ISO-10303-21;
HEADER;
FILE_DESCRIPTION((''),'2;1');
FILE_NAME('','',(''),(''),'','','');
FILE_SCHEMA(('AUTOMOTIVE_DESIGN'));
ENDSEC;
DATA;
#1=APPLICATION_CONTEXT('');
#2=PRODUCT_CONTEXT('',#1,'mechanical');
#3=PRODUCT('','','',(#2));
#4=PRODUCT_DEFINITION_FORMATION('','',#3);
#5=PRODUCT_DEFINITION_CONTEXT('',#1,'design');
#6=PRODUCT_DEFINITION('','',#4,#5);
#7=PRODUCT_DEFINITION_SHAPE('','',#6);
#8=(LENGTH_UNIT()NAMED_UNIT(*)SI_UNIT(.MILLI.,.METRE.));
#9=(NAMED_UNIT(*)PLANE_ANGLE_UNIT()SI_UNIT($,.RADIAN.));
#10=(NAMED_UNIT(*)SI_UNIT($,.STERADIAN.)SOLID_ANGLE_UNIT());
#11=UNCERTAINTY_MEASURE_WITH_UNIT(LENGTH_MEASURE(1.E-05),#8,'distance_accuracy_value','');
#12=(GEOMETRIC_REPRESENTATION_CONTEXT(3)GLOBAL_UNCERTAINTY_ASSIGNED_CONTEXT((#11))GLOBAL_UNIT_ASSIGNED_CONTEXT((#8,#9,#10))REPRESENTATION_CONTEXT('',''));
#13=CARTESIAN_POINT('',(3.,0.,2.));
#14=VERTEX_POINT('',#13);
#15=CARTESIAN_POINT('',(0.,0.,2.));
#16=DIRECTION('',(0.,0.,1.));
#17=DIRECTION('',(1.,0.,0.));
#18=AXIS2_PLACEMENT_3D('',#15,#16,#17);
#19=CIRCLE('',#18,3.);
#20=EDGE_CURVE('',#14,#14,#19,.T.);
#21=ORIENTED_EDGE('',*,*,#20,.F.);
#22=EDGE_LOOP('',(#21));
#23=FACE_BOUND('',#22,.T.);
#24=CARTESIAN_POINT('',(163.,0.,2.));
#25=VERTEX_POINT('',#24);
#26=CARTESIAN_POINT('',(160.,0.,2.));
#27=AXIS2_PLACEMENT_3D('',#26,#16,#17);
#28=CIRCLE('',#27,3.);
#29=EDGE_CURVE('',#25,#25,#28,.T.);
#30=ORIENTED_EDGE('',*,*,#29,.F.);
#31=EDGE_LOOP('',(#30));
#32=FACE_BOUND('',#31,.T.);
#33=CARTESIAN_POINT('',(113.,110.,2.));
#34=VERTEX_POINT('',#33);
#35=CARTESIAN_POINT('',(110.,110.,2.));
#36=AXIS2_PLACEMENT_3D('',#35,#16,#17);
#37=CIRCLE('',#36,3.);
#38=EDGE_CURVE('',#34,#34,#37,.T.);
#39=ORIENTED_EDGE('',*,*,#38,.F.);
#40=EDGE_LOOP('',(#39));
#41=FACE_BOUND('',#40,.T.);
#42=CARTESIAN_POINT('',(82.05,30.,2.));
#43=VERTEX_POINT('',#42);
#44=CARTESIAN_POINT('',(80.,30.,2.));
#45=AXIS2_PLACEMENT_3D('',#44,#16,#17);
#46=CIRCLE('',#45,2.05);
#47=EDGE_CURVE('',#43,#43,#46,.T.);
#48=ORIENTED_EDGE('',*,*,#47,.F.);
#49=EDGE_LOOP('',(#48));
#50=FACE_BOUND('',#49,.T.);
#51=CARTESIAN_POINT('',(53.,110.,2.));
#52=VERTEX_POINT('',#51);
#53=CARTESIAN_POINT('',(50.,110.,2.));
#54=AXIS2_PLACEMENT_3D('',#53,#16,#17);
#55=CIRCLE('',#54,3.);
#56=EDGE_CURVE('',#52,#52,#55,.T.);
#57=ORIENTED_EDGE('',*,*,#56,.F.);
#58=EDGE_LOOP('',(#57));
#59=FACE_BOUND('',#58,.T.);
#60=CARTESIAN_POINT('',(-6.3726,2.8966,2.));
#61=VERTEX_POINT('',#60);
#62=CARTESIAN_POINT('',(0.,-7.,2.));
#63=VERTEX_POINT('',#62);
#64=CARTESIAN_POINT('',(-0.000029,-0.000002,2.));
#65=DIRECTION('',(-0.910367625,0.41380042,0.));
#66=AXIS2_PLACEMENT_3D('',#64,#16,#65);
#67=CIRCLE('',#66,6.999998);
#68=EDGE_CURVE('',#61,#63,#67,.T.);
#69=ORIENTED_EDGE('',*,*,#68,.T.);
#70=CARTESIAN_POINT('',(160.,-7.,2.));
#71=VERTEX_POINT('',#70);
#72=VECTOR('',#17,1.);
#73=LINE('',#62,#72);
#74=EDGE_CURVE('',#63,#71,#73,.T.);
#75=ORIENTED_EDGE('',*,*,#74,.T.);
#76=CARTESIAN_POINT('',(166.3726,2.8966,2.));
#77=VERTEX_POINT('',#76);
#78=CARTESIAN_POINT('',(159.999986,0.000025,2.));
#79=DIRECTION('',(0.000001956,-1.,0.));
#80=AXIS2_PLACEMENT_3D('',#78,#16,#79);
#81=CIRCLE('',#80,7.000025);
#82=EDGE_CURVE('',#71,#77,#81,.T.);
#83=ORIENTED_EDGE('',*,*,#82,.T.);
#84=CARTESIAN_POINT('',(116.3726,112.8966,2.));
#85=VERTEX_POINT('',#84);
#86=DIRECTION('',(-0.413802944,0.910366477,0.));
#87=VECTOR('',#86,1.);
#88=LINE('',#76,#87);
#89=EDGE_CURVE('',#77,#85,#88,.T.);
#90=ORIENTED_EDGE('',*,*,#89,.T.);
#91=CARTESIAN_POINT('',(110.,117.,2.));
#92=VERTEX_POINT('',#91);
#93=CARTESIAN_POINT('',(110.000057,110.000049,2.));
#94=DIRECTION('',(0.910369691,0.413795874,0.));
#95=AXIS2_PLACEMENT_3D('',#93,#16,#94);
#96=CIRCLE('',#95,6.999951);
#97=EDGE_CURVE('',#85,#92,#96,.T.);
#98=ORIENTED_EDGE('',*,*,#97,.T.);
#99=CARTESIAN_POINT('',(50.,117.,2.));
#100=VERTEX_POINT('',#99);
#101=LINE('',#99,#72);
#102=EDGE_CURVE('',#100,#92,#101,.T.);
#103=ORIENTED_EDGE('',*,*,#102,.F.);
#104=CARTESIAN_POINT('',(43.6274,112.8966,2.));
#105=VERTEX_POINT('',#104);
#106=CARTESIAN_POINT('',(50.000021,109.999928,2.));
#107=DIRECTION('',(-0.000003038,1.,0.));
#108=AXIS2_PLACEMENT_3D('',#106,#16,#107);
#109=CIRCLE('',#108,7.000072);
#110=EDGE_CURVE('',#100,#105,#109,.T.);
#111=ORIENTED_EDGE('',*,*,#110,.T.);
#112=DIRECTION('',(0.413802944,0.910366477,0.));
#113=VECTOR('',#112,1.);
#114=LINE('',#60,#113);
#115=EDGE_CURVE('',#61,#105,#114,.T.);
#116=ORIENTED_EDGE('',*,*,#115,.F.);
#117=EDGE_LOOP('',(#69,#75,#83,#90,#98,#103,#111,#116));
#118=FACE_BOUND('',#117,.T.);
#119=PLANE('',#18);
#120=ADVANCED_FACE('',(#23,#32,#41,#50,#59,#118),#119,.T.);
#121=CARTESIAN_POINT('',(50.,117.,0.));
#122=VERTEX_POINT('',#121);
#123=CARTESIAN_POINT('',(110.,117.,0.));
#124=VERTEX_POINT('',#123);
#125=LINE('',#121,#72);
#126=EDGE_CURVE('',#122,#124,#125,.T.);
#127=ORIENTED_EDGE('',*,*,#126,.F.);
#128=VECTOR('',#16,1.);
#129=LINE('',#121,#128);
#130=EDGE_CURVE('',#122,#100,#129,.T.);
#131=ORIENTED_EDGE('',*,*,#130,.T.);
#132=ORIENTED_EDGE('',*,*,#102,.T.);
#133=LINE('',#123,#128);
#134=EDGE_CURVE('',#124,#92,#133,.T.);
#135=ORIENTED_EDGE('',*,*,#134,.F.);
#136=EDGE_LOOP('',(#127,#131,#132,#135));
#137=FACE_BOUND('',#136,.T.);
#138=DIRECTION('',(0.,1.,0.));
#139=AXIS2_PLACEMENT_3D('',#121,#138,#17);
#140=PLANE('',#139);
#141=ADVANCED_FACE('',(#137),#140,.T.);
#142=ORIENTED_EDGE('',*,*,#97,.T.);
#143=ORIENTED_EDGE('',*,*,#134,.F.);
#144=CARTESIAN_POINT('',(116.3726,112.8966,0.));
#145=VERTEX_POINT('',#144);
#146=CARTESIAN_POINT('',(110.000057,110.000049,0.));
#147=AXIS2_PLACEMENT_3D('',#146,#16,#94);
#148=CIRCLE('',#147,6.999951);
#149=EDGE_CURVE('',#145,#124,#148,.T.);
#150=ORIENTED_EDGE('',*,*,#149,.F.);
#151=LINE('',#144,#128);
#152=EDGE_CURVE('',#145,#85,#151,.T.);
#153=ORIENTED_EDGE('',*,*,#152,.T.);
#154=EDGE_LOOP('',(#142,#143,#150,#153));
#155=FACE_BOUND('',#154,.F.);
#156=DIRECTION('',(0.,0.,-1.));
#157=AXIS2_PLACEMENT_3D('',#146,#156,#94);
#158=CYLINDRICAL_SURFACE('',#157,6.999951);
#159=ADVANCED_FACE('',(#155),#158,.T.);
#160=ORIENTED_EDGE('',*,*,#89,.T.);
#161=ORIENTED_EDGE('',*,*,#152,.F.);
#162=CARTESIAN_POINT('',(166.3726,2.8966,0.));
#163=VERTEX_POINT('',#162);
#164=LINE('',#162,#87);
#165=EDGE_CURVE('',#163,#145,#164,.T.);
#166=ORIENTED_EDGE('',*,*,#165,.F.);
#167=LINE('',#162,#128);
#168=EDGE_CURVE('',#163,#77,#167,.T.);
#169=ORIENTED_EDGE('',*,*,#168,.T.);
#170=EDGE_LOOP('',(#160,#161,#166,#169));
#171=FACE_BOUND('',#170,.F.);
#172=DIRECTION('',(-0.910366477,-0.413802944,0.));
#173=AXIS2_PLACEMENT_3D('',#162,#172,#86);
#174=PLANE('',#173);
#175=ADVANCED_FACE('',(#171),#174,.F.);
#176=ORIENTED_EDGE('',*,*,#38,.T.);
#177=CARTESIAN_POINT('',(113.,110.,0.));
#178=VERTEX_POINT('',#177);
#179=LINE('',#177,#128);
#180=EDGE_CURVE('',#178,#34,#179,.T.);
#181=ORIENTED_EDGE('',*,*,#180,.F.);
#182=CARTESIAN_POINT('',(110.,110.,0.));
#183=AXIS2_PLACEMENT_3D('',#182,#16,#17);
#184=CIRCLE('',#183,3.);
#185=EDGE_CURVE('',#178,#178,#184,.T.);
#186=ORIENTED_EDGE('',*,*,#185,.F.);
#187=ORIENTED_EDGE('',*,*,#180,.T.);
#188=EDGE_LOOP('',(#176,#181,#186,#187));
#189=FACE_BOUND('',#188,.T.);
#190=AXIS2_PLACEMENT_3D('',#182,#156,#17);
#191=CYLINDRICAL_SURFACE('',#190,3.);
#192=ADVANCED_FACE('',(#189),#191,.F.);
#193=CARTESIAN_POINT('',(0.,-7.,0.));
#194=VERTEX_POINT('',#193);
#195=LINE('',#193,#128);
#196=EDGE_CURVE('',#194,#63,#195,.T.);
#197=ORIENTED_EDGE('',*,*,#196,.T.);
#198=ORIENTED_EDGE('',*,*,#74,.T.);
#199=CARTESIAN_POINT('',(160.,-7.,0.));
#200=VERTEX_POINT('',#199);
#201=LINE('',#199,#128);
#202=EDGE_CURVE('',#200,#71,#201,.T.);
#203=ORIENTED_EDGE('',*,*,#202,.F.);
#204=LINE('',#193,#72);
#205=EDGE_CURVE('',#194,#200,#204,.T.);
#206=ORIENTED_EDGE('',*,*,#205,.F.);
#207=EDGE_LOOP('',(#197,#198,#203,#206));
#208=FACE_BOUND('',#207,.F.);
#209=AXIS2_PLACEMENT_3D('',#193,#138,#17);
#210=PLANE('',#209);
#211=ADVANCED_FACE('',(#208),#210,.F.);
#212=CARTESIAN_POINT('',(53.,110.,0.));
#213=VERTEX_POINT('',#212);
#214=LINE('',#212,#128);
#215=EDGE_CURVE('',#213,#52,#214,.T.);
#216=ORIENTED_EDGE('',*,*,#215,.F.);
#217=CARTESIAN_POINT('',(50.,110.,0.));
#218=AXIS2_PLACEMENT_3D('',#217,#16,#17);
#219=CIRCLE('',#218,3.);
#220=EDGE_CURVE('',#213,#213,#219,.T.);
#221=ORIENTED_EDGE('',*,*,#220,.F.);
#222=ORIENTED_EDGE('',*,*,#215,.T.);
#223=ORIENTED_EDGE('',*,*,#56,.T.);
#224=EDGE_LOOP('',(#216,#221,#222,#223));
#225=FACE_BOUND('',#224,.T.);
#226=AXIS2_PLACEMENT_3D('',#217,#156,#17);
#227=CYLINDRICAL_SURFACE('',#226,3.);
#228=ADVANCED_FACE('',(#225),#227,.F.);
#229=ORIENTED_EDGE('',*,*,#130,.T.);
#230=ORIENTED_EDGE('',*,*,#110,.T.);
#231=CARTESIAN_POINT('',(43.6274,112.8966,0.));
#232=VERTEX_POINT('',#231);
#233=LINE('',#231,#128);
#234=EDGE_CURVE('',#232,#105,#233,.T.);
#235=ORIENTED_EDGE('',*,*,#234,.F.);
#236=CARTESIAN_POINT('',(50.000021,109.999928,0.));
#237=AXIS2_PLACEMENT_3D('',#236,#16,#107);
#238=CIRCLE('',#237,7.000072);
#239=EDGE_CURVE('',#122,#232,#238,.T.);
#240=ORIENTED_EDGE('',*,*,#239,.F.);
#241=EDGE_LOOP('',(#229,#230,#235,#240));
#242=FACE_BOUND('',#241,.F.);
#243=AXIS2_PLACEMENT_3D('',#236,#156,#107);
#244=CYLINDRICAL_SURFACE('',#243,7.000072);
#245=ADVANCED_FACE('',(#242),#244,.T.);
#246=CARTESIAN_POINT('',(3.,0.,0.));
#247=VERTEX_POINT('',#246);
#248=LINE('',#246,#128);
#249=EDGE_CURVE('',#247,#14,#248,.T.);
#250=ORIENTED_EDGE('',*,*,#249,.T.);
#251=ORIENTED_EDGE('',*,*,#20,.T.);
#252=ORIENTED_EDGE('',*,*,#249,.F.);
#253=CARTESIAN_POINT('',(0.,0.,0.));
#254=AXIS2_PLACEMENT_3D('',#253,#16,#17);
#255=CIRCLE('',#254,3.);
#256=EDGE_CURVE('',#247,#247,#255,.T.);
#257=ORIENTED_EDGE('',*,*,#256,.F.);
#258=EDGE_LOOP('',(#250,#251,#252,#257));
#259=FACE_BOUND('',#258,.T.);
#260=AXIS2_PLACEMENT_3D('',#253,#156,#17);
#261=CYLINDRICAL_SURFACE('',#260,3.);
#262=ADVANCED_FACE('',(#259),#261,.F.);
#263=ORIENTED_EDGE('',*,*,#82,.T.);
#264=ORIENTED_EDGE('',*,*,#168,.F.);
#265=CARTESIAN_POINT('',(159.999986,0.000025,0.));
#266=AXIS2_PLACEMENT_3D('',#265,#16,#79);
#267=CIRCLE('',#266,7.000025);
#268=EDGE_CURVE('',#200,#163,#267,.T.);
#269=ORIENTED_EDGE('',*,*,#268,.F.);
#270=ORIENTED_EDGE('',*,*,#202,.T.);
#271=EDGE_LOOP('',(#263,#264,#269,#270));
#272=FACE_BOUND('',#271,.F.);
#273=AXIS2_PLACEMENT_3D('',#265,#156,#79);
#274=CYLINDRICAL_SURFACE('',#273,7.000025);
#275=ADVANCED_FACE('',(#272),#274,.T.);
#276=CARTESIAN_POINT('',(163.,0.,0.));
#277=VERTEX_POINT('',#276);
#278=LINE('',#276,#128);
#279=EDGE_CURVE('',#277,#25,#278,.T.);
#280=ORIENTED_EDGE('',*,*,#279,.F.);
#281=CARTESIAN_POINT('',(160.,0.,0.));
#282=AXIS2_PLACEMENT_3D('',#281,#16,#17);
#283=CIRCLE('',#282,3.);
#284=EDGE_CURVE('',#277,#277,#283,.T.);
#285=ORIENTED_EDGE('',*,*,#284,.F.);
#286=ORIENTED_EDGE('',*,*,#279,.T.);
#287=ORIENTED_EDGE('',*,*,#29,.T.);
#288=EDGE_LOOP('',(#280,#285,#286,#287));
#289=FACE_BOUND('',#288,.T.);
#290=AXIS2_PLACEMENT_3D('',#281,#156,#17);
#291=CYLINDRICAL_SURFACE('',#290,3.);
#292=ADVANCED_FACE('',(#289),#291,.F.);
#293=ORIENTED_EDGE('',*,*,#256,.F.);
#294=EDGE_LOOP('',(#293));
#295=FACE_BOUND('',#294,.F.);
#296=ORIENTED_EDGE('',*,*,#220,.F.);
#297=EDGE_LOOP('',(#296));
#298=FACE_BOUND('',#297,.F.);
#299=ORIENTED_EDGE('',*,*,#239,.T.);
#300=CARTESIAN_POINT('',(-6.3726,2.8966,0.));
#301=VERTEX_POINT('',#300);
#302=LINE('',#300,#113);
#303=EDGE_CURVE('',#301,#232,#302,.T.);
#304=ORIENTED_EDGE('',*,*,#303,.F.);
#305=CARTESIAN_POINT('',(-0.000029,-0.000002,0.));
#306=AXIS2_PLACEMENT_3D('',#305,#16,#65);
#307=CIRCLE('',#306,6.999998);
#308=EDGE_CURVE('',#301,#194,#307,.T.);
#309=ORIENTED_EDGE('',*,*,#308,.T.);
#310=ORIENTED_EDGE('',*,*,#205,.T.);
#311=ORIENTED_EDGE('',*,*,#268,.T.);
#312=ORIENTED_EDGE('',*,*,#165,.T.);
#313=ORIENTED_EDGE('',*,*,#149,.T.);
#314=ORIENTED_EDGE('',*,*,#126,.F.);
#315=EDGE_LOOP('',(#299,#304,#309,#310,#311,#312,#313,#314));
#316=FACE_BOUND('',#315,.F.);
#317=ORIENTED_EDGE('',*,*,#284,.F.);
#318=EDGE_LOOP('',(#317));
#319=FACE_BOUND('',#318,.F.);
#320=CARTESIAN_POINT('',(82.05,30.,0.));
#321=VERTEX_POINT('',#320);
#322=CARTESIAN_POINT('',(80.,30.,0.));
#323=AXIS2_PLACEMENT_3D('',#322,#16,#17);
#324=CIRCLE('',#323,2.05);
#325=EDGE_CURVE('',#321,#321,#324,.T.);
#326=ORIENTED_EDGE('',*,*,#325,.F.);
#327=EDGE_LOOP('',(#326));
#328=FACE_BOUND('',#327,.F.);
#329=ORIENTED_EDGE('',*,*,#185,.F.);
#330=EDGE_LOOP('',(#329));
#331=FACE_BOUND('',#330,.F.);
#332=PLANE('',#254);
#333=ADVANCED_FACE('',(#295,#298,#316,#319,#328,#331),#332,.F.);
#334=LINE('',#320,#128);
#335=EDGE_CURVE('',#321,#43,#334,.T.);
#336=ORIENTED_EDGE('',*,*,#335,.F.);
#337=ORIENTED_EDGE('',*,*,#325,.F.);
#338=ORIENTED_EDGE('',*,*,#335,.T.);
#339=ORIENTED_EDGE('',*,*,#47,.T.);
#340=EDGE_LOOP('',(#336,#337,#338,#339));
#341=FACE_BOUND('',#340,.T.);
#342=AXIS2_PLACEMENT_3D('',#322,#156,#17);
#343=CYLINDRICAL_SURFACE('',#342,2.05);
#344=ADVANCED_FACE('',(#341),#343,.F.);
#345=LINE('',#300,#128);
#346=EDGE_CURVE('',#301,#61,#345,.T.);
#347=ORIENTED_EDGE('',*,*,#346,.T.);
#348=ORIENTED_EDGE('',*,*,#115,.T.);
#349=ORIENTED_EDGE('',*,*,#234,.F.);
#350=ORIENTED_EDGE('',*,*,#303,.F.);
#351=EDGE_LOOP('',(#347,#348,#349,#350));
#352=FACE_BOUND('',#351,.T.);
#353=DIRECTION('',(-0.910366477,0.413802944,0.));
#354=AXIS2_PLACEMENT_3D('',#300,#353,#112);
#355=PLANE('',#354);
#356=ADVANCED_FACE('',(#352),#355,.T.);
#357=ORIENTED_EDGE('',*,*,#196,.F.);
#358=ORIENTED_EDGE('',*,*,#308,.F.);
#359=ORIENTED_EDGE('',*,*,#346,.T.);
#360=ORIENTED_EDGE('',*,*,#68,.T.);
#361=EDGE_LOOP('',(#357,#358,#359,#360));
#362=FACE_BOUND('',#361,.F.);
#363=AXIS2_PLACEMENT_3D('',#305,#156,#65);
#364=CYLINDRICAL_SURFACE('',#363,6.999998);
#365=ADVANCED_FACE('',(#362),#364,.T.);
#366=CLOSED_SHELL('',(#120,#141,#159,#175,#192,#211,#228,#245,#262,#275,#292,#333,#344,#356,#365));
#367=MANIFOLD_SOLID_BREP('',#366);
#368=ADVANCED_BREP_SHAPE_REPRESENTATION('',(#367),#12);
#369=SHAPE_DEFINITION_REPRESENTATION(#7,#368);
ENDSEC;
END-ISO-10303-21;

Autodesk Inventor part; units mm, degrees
ref_plane "YZ Plane" through (0, 0, 0) normal (1, 0, 0) x (0, 1, 0)
ref_plane "XZ Plane" through (0, 0, 0) normal (0, 1, 0) x (-1, 0, 0)
ref_plane "XY Plane" through (0, 0, 0) normal (0, 0, 1) x (1, 0, 0)
sketch "Sketch1" plane through (0, 0, 0) normal (0, 0, 1) x (1, 0, 0)
  circle A0 centre (50, 110) radius 3
  circle A1 centre (0, 0) radius 3
  circle A2 centre (160, 0) radius 3
  circle A3 centre (80, 30) radius 2.05
  arc A4 (50, 117) -> (43.6274, 112.8966) centre (50, 110) ccw
  circle A5 centre (110, 110) radius 3
  arc A6 (116.3726, 112.8966) -> (110, 117) centre (110, 110) ccw
  arc A7 (-6.3726, 2.8966) -> (0, -7) centre (0, 0) ccw
  arc A8 (160, -7) -> (166.3726, 2.8966) centre (160, 0) ccw
  line L0 (-6.3726, 2.8966) -> (43.6274, 112.8966)
  line L1 (50, 117) -> (110, 117)
  line L2 (166.3726, 2.8966) -> (116.3726, 112.8966)
  line L3 (0, -7) -> (160, -7)
  dimension "d7" = 6
  dimension "d9" = 6
  dimension "d10" = 6
  dimension "d11" = 4.1
  dimension "d12" = 14
  dimension "d13" = 6
  dimension "d14" = 14
  dimension "d15" = 14
  dimension "d16" = 14
  dimension "d25" = 160
  dimension "d26" = 60
  dimension "d27" = 110
  dimension "d28" = 30
extrude "Extrusion1" add sketch "Sketch1" along normal blind 2
properties part number "Frame" material "Steel, Mild"
